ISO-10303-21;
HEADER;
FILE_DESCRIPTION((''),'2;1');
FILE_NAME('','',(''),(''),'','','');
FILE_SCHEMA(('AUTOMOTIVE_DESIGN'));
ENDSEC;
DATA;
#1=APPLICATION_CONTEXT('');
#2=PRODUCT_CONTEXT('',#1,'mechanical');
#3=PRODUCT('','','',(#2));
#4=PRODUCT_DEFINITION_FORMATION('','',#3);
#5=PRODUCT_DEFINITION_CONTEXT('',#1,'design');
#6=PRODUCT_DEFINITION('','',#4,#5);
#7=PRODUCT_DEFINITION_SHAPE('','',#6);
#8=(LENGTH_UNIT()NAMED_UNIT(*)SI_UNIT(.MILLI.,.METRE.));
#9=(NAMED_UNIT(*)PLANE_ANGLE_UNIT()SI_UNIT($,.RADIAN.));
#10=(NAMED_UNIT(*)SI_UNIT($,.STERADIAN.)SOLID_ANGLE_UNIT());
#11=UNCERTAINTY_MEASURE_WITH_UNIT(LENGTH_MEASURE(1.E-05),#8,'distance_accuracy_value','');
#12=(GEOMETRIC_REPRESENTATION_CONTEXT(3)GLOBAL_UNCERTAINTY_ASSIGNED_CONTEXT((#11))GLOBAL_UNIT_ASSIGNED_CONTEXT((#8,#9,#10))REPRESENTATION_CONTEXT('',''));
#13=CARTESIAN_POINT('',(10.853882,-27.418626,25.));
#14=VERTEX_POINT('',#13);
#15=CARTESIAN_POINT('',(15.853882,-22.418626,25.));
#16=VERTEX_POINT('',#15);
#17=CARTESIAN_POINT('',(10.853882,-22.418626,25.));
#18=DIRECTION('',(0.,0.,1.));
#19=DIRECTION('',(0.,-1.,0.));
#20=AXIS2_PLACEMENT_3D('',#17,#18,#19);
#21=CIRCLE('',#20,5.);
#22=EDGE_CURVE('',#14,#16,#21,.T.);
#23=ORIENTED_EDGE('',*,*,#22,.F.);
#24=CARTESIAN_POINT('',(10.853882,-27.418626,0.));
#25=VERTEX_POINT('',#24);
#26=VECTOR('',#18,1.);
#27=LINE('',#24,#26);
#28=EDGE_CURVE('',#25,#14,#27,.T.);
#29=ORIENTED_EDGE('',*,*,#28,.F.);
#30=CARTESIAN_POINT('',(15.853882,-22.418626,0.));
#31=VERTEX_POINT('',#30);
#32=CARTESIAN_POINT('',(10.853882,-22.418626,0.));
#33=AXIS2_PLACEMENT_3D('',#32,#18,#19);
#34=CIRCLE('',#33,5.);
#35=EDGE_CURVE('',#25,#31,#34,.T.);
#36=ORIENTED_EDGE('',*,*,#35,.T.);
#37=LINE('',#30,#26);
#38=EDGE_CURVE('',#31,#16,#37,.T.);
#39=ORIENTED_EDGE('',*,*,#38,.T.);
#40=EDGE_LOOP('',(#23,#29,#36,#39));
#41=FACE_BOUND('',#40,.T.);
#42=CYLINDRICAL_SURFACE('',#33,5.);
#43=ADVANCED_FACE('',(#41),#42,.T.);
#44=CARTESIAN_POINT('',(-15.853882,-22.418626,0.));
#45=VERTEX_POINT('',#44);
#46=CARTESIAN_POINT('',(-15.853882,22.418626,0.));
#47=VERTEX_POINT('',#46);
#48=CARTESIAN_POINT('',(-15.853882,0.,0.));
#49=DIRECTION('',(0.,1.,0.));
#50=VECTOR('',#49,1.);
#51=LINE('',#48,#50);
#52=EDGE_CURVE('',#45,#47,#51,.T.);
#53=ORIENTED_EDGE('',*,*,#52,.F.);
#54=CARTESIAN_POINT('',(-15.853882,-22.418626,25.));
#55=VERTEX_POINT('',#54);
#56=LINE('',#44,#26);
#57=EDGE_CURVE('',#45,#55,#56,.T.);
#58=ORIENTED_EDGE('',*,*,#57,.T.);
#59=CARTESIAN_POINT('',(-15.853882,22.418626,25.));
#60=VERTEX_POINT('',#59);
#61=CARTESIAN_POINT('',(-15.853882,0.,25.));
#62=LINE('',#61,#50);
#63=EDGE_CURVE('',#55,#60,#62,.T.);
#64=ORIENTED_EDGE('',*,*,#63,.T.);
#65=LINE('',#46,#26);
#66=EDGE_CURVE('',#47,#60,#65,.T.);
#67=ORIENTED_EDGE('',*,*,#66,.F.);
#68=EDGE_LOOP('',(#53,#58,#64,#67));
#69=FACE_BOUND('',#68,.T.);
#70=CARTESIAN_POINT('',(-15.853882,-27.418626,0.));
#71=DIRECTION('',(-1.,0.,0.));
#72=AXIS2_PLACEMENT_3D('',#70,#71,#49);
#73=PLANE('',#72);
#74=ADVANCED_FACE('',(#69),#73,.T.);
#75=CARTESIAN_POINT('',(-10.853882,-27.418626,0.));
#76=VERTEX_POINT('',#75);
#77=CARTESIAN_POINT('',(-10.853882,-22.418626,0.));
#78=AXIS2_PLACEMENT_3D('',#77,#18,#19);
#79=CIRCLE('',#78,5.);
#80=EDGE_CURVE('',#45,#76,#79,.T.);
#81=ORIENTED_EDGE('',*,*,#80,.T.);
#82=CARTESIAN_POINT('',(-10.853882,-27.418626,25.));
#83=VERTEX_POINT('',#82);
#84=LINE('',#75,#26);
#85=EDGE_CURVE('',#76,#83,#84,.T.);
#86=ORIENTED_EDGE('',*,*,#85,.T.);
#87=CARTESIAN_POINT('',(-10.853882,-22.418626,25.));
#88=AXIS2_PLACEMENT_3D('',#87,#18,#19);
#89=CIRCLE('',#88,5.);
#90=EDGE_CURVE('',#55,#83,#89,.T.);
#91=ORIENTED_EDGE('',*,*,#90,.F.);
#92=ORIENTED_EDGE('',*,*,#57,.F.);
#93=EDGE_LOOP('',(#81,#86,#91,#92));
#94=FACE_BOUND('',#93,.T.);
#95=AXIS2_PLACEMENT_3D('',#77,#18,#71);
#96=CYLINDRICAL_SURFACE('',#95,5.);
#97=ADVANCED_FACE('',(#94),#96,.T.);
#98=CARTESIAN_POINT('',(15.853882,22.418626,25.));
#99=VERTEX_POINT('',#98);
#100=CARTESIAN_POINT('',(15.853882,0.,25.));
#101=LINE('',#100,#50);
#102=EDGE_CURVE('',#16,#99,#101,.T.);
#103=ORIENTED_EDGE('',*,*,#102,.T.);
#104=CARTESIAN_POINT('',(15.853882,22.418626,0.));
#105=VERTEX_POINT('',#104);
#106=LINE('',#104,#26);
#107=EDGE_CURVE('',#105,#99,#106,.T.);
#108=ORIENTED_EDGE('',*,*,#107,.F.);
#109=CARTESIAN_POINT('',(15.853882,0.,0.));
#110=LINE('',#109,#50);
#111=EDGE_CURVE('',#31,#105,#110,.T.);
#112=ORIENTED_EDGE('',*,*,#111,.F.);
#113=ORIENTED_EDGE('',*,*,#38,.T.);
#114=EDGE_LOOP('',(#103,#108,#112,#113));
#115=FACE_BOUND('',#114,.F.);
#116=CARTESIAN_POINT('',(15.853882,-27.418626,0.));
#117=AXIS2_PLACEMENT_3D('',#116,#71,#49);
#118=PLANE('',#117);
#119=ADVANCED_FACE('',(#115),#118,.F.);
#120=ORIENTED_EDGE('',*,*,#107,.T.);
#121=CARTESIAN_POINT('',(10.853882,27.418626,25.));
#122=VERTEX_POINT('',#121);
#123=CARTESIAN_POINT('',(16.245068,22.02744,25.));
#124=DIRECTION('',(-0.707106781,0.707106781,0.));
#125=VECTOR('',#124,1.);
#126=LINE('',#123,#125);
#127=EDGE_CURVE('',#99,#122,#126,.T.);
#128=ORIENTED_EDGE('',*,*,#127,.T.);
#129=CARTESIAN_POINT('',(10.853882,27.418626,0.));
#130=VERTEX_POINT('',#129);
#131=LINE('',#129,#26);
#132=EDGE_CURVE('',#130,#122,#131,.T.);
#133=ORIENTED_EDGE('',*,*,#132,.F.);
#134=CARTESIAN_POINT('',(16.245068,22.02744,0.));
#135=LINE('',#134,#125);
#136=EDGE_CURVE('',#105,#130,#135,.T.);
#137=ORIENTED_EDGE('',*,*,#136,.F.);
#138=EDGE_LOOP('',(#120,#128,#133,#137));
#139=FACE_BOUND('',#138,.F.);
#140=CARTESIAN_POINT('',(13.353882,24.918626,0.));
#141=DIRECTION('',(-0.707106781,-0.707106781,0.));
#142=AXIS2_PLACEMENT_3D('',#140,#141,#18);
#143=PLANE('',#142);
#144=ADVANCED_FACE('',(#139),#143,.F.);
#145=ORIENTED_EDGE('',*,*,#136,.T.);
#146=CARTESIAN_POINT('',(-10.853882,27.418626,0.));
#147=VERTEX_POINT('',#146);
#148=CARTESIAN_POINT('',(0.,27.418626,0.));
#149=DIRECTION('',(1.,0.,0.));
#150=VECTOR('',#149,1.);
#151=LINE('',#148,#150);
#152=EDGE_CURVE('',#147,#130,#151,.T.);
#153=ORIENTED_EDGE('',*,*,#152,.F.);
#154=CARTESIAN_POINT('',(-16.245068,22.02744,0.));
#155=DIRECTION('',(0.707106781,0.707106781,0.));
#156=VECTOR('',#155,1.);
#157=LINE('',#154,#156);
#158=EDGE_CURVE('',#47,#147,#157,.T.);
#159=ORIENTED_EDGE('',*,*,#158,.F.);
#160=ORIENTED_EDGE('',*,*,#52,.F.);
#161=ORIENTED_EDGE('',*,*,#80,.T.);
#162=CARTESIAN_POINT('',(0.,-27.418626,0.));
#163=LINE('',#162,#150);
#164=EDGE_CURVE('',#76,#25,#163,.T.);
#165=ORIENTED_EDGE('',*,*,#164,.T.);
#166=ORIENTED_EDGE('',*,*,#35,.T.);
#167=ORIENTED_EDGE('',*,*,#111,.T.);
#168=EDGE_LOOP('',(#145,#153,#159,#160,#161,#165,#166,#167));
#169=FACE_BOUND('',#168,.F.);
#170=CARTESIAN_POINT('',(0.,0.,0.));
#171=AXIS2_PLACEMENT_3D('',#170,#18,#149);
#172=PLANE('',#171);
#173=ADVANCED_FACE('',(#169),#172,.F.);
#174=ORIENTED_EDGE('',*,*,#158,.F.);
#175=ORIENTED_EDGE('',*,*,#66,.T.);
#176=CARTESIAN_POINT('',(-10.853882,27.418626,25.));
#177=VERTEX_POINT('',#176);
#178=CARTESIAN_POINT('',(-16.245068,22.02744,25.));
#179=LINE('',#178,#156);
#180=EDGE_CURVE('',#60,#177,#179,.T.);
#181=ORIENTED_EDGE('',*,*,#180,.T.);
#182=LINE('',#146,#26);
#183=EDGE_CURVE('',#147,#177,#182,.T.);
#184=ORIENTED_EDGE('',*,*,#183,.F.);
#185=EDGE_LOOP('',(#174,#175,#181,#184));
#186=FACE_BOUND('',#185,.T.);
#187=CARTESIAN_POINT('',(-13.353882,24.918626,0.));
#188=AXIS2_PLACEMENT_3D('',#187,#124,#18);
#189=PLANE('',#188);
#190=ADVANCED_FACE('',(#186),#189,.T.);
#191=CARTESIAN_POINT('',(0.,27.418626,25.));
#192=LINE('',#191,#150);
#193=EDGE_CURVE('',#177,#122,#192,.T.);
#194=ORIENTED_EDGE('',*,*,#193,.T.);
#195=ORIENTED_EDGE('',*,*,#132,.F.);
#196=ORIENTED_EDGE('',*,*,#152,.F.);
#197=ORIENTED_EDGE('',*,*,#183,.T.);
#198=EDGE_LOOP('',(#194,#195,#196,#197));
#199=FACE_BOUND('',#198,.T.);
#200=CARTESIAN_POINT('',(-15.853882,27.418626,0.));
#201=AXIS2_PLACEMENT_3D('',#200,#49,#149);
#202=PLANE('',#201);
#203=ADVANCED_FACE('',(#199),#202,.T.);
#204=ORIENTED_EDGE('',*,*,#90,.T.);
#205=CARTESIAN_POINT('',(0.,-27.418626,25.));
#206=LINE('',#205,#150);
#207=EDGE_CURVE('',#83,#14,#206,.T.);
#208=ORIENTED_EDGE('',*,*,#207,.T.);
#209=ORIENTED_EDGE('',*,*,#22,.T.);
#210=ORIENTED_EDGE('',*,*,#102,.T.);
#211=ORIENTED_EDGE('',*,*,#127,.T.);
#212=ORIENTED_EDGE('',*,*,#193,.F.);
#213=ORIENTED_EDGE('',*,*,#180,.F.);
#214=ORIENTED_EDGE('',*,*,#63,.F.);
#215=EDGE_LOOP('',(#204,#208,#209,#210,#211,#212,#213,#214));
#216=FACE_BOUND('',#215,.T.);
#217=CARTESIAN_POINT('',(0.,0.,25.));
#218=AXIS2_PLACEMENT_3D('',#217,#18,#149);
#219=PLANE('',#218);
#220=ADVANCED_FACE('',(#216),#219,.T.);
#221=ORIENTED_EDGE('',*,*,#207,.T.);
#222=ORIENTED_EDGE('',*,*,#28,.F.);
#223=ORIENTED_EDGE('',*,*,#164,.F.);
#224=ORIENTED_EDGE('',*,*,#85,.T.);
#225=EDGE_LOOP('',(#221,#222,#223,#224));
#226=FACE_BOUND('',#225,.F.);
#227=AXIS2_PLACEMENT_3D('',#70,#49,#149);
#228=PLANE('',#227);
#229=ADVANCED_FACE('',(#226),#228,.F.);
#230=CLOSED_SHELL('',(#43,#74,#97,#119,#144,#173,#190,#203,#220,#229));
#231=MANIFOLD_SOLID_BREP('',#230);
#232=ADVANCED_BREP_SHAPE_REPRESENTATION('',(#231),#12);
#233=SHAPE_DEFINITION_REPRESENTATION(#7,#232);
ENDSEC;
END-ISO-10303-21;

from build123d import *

# Parameters (mm, degrees)
F0_W     = 31.707764
F0_H     = 54.837252
F1_DEPTH = 25
F2_SIZE  = 5
F3_R     = 5


with BuildPart() as f1:
    # F0 (on Top) → F1 (new body)
    with BuildSketch(Plane.XY):
        Rectangle(F0_W, F0_H)
    extrude(amount=F1_DEPTH)

    # F2
    f2_edges = [f1.edges().sort_by_distance(p)[0] for p in [
        (15.853882, 27.418626, 12.5),
        (-15.853882, 27.418626, 12.5),
    ]]
    chamfer(f2_edges, length=F2_SIZE)

    # F3
    f3_edges = [f1.edges().sort_by_distance(p)[0] for p in [
        (-15.853882, -27.418626, 12.5),
        (15.853882, -27.418626, 12.5),
    ]]
    fillet(f3_edges, radius=F3_R)


solid = f1.part
